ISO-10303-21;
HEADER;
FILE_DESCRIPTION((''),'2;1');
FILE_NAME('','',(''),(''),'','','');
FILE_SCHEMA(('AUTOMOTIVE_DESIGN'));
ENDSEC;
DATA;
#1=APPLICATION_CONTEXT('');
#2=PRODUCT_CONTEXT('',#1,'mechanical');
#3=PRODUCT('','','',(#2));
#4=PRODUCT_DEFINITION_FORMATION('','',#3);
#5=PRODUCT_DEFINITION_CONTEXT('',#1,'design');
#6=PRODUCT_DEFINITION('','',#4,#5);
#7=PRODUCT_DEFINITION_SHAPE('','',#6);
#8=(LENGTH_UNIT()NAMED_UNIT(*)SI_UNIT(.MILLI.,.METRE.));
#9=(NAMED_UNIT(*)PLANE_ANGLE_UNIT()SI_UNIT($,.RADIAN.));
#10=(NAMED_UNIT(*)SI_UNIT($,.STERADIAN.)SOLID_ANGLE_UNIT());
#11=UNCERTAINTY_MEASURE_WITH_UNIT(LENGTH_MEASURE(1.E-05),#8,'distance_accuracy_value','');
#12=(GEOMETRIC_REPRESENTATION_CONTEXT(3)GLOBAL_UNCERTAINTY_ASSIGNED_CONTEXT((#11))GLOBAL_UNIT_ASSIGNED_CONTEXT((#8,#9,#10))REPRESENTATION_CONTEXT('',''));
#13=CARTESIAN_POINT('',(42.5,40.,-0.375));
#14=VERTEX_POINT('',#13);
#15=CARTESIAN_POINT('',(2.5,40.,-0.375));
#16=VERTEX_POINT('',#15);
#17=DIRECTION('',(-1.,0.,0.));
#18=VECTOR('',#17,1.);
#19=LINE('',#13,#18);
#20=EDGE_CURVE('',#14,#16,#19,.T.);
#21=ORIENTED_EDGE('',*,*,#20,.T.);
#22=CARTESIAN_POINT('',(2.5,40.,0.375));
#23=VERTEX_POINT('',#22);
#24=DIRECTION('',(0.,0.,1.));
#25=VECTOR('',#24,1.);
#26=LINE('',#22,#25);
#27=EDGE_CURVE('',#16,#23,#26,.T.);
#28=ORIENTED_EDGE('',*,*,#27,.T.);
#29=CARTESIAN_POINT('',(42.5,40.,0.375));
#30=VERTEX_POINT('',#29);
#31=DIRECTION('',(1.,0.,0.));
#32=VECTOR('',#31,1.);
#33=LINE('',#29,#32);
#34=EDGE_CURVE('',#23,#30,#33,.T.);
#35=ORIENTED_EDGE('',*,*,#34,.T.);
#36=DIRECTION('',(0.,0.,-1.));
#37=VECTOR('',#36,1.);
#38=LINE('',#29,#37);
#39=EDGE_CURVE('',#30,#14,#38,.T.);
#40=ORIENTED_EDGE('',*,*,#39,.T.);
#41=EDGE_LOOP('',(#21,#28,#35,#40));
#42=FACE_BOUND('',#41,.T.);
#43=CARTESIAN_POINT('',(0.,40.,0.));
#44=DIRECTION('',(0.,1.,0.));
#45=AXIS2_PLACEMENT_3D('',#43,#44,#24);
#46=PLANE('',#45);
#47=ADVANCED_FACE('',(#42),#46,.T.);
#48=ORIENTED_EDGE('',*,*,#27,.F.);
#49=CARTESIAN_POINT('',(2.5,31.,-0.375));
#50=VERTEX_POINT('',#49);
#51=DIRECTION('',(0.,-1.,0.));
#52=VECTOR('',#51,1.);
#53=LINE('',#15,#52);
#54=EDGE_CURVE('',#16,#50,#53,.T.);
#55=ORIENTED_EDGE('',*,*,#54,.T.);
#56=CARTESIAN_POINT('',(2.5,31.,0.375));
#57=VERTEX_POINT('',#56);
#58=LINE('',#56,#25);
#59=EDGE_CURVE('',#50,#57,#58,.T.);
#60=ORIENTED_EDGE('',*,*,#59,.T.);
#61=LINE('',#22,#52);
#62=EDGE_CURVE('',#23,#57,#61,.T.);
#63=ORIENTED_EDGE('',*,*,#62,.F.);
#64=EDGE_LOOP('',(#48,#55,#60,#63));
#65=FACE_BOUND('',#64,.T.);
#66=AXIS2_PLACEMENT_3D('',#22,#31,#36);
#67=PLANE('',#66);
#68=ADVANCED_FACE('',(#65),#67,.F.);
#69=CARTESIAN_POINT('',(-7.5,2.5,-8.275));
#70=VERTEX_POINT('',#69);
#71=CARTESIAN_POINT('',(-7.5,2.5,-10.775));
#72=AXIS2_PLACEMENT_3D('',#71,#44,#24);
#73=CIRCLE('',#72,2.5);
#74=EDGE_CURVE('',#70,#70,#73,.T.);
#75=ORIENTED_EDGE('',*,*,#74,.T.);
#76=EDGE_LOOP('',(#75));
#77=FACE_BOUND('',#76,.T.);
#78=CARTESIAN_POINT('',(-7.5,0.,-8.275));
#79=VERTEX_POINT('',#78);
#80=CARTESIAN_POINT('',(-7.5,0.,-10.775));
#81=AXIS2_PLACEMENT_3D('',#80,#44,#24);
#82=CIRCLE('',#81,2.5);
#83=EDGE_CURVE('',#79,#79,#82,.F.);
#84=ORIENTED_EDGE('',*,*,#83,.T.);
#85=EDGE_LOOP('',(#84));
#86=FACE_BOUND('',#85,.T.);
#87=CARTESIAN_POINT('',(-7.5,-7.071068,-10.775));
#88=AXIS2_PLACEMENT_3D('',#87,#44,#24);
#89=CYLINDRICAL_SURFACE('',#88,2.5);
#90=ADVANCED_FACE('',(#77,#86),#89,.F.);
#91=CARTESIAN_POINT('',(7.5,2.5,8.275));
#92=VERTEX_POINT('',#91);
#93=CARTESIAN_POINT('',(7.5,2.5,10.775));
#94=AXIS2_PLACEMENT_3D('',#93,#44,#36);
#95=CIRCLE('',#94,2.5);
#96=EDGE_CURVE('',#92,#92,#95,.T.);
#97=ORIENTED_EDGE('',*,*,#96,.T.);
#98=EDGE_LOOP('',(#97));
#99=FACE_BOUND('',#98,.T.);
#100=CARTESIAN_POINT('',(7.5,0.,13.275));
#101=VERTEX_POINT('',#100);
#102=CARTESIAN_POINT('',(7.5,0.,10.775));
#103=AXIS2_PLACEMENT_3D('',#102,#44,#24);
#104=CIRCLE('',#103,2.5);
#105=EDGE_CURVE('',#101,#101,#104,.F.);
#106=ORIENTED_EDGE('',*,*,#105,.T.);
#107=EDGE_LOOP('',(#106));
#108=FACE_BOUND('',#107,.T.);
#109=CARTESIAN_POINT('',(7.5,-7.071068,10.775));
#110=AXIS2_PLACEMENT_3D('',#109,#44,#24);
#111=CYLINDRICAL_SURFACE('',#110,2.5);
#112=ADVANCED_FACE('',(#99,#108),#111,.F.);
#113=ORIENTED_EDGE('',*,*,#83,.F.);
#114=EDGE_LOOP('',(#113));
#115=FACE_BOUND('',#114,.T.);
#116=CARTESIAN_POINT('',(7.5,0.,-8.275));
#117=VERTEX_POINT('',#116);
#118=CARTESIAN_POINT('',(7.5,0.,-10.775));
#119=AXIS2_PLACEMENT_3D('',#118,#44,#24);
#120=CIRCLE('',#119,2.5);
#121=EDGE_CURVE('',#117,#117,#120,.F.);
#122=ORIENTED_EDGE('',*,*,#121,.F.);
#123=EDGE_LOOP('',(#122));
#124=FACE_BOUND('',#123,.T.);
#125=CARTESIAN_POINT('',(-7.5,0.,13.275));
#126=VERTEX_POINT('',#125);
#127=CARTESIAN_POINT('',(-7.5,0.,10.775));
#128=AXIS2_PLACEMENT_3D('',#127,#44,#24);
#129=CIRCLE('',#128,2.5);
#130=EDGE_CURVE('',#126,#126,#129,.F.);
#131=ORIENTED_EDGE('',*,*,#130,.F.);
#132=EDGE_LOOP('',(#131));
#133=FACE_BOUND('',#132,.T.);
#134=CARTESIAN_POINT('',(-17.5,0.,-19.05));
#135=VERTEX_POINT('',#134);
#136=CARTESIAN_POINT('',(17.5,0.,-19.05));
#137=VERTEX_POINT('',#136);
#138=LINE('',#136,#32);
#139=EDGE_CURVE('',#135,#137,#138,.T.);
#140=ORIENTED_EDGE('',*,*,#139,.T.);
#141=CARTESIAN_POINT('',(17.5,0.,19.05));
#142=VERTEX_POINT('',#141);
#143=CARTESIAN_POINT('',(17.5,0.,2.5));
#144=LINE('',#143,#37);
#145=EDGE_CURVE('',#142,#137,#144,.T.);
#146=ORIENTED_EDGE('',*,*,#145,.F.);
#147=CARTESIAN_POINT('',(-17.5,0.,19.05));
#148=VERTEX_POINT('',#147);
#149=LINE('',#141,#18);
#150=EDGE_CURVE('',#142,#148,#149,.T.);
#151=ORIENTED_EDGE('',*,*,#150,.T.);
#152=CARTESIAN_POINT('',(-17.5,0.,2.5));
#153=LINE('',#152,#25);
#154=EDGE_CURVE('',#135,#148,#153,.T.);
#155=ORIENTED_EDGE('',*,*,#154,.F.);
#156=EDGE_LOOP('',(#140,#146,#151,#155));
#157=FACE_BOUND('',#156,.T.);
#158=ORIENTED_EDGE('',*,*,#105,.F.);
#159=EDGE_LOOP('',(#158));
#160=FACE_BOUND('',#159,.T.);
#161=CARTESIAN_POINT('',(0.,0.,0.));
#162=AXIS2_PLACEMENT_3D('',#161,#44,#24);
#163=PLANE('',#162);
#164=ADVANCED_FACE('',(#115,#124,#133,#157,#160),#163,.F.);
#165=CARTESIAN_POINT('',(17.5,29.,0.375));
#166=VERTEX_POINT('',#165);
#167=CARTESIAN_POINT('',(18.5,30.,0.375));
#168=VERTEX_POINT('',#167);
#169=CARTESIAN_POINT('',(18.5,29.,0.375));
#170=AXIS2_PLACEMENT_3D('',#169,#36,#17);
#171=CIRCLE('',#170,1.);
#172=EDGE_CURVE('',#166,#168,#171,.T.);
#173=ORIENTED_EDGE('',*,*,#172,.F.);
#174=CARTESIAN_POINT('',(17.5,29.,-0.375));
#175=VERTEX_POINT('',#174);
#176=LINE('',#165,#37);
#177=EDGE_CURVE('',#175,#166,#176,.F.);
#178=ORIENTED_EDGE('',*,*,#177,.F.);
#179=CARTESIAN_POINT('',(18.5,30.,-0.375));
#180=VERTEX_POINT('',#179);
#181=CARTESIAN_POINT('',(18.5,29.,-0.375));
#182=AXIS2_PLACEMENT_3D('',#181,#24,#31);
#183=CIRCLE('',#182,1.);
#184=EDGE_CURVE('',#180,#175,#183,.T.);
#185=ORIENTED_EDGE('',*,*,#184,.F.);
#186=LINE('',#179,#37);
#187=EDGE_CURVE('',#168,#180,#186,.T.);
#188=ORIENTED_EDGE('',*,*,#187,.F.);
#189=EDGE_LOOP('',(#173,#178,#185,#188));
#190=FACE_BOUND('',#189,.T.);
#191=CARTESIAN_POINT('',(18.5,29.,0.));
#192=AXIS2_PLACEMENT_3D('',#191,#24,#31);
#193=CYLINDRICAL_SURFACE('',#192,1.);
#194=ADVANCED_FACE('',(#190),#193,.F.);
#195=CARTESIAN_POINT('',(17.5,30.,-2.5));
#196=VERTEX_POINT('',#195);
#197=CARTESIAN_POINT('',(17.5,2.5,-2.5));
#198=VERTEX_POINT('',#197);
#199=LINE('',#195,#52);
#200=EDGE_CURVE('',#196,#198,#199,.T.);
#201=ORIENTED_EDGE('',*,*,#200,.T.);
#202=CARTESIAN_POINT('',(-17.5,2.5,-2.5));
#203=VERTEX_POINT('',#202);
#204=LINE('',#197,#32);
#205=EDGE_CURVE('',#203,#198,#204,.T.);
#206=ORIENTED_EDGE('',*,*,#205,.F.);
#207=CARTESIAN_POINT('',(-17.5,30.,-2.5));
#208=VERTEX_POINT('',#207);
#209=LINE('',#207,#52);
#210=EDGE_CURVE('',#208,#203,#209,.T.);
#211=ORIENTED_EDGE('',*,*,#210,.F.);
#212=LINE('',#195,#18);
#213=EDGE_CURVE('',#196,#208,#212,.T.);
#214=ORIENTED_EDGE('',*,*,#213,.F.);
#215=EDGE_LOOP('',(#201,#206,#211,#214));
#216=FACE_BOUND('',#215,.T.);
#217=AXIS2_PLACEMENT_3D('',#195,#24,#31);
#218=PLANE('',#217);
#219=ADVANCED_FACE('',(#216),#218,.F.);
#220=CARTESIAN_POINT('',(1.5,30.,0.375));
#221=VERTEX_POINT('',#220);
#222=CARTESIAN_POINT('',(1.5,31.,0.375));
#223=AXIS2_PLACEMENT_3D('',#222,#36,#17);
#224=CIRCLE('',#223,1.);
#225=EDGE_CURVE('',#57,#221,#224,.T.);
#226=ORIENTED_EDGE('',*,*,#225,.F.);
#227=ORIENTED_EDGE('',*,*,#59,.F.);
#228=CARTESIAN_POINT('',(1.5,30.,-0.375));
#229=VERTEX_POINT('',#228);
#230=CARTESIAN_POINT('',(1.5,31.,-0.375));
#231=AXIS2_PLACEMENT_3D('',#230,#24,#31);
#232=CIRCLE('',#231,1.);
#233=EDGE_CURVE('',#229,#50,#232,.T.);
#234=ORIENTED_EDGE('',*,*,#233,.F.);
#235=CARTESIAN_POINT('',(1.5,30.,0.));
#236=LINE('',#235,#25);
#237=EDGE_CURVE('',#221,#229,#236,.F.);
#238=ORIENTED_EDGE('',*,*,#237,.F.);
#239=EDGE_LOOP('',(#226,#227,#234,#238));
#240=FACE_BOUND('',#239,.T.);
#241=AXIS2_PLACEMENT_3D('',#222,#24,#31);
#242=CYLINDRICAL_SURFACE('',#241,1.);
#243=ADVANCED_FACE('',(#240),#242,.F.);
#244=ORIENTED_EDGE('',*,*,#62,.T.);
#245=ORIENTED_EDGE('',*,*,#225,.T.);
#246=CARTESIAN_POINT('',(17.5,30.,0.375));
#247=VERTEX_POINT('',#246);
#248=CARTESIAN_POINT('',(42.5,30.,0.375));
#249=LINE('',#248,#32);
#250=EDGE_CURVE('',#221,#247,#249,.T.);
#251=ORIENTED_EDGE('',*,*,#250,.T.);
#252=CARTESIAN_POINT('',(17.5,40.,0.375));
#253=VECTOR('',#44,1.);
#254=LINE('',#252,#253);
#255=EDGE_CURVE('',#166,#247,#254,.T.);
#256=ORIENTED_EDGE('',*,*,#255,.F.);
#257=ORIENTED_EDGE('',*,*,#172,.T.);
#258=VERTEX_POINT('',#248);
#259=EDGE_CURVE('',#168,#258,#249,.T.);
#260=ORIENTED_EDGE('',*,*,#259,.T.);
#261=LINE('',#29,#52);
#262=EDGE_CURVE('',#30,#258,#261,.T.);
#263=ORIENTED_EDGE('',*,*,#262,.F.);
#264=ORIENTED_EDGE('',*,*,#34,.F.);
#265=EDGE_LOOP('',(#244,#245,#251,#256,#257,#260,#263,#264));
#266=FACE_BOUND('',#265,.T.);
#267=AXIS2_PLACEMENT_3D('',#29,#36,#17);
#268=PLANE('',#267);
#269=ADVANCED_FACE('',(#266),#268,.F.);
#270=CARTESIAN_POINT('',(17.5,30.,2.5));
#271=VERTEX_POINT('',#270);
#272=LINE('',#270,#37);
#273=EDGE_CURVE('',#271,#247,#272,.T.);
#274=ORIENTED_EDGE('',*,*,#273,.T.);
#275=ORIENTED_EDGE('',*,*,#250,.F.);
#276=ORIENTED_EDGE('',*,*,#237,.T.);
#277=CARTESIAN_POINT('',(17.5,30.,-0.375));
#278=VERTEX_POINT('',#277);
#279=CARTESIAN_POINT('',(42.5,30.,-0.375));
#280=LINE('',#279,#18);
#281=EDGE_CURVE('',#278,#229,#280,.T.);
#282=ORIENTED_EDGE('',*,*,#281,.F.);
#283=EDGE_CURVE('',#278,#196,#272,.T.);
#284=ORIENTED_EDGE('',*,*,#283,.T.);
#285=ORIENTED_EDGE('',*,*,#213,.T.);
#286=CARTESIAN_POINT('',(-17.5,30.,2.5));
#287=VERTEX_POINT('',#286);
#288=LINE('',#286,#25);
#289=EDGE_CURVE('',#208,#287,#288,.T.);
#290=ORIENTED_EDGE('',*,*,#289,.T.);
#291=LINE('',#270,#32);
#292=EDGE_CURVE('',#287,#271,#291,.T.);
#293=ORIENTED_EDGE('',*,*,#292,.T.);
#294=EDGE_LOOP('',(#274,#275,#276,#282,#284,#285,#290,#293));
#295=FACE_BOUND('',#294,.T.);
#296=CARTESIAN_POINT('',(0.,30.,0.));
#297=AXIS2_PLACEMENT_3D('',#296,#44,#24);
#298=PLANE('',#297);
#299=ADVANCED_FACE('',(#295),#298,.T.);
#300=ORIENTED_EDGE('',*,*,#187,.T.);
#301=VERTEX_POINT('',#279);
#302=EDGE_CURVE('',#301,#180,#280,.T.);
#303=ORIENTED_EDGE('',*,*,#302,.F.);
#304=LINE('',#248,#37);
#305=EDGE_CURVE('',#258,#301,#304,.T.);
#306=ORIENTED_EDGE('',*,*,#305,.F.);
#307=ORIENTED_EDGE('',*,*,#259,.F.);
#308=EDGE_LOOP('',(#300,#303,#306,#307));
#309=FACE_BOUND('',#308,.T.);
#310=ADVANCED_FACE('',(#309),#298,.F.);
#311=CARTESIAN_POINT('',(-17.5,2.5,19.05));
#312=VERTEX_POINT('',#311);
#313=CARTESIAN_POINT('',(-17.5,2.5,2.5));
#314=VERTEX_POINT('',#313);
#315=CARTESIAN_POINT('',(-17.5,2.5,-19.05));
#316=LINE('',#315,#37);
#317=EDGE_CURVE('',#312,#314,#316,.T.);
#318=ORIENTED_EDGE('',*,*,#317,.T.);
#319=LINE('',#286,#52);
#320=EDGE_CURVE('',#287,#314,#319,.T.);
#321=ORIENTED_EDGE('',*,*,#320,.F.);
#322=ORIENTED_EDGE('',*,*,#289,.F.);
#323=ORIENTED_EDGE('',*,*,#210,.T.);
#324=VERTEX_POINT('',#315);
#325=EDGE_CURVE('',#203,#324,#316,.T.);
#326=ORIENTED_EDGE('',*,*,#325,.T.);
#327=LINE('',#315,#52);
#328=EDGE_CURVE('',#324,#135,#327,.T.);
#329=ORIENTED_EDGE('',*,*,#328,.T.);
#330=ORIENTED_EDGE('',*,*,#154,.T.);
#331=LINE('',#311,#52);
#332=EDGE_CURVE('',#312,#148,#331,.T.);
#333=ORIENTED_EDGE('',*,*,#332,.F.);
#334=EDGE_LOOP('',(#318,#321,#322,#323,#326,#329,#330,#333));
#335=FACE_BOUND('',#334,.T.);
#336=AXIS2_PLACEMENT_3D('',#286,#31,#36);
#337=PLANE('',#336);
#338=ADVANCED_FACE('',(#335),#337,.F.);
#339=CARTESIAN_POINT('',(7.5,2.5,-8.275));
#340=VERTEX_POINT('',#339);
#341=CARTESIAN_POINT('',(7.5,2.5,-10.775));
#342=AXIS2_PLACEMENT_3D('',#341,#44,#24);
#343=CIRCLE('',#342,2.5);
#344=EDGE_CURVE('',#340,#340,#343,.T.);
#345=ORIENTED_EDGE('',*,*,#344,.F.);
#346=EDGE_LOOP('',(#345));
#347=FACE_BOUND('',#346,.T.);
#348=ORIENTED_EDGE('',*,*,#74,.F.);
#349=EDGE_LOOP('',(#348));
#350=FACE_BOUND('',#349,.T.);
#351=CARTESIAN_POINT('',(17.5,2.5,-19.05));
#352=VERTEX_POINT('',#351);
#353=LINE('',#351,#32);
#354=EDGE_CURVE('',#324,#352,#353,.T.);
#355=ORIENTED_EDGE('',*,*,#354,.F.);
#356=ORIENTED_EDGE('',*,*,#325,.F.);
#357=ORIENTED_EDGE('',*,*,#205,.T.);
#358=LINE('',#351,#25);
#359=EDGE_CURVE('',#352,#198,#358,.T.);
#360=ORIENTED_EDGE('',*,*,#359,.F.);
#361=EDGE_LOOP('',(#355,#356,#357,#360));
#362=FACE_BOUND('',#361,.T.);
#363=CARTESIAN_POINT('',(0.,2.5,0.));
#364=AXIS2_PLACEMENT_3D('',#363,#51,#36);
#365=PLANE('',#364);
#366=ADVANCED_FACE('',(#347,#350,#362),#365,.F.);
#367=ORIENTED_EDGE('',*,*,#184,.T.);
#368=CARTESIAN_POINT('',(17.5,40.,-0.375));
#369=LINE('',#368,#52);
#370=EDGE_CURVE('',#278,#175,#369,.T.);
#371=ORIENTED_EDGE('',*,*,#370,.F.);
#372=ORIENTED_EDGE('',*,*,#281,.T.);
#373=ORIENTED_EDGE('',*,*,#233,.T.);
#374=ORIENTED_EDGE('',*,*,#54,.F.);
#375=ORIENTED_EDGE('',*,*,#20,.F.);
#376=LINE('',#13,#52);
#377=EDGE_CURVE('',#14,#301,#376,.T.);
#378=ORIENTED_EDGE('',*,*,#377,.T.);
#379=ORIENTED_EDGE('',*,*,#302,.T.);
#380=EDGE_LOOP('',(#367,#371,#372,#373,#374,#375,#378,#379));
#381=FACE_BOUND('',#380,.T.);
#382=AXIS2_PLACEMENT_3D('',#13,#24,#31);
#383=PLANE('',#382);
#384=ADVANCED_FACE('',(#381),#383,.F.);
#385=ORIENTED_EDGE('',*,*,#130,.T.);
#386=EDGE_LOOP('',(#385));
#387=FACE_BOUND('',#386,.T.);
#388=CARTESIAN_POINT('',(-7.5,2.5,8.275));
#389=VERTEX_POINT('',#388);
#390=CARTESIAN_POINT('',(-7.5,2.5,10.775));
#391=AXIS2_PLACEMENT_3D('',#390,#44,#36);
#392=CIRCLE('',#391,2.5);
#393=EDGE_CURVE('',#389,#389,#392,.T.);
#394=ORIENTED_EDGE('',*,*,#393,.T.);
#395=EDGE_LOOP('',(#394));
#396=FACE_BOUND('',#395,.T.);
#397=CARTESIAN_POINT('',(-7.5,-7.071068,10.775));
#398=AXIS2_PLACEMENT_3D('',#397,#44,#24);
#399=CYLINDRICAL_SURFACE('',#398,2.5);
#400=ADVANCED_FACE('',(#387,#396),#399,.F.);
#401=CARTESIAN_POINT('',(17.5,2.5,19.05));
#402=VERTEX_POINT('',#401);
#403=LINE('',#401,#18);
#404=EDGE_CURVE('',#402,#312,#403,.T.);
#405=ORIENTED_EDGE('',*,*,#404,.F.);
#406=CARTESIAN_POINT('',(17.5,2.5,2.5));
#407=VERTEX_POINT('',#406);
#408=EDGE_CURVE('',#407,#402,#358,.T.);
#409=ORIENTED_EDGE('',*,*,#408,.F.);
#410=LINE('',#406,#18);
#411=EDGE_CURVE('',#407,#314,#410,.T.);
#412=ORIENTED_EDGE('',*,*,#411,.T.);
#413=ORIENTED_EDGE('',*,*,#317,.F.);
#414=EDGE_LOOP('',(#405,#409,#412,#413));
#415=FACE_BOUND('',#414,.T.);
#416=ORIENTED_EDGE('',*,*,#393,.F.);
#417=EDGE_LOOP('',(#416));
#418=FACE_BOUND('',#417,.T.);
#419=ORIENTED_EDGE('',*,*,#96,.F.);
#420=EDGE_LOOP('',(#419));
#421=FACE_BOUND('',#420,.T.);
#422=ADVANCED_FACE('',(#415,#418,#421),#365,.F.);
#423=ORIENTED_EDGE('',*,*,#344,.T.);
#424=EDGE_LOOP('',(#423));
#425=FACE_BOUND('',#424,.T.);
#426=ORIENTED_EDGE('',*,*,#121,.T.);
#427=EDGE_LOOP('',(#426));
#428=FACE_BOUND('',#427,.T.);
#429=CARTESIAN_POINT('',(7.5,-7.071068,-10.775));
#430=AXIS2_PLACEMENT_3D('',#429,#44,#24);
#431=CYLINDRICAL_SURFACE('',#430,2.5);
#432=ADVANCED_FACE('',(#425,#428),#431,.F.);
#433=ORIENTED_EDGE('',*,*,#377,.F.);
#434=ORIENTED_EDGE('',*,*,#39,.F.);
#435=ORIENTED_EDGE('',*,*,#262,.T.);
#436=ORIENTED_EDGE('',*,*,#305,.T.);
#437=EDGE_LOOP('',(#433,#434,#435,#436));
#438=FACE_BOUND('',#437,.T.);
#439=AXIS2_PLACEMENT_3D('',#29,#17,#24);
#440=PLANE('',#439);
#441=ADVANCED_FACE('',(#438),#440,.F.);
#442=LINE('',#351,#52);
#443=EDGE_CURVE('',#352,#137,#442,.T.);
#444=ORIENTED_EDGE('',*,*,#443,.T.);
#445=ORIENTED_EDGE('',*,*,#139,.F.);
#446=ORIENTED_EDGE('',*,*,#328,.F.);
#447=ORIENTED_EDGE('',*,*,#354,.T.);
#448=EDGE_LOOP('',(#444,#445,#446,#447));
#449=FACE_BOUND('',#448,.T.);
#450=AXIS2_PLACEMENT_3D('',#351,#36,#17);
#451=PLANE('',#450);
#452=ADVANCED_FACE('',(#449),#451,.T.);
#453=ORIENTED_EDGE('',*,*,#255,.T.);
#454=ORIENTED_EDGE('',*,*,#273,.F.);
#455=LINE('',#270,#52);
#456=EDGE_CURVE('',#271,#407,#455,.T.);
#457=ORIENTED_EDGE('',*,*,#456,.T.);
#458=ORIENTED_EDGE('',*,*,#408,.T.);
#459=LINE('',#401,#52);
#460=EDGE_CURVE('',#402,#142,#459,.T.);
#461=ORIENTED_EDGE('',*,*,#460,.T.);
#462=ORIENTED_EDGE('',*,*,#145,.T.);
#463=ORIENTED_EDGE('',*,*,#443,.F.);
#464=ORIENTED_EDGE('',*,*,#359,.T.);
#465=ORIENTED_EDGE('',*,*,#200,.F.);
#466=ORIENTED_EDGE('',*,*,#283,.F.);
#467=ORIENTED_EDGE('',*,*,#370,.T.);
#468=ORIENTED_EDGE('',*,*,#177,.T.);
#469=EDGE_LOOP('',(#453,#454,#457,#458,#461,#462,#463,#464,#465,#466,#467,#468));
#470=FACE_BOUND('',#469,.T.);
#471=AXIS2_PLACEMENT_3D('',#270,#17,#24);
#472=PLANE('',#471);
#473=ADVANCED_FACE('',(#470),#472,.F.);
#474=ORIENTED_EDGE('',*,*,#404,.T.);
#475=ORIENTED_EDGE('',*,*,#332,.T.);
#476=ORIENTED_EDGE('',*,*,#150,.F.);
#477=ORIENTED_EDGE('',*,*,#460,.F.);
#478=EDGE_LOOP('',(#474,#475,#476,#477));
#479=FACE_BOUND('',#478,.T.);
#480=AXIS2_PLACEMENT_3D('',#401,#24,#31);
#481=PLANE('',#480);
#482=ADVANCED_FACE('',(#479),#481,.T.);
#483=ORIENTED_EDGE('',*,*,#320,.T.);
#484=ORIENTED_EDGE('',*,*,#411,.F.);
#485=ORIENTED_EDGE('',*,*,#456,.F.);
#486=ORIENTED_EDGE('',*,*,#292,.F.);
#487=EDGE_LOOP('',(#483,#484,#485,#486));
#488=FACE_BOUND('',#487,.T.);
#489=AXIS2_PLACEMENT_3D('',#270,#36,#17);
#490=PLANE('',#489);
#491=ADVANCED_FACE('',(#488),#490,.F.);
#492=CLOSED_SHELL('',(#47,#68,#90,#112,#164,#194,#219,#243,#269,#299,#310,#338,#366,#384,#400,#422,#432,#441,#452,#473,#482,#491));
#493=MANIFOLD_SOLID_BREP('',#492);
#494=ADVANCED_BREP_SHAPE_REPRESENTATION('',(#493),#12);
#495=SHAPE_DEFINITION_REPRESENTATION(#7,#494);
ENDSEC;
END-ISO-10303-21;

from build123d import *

# Parameters (mm, degrees)
ESQUISSE1_W             = 35
ESQUISSE1_H             = 5
BOSS_EXTRU_1_DEPTH      = 30
ESQUISSE2_W             = 40
ESQUISSE2_H             = 0.75
BOSS_EXTRU_2_DEPTH      = 10
CONG_1_R                = 1
ESQUISSE3_W             = 35
ESQUISSE3_H             = 38.1
BOSS_EXTRU_3_DEPTH      = 2.5
ESQUISSE4_R             = 2.5
ENL_V_MAT_EXTRU_1_DEPTH = 2.5


with BuildPart() as part:
    # Esquisse1 → Boss.-Extru.1 (new body)
    with BuildSketch(Plane(origin=(0, 0, 0), x_dir=(1, 0, 0), z_dir=(0, 1, 0))):
        Rectangle(ESQUISSE1_W, ESQUISSE1_H)
    extrude(amount=BOSS_EXTRU_1_DEPTH)

    # Esquisse2 → Boss.-Extru.2 (add)
    with BuildSketch(Plane(origin=(0, 30, 0), x_dir=(1, 0, 0), z_dir=(0, 1, 0))):
        with Locations((22.5, 0)):
            Rectangle(ESQUISSE2_W, ESQUISSE2_H)
    extrude(amount=BOSS_EXTRU_2_DEPTH)

    # Congé1
    cong_1_edges = [part.edges().sort_by_distance(p)[0] for p in [
        (17.5, 30, 0),
        (2.5, 30, 0),
    ]]
    fillet(cong_1_edges, radius=CONG_1_R)

    # Esquisse3 → Boss.-Extru.3 (add)
    with BuildSketch(Plane.XZ):
        Rectangle(ESQUISSE3_W, ESQUISSE3_H)
    extrude(amount=-BOSS_EXTRU_3_DEPTH)

    # Esquisse4 → Enlèv. mat.-Extru.1 (cut)
    with BuildSketch(Plane(origin=(0, 2.5, 0), x_dir=(1, 0, 0), z_dir=(0, 1, 0))):
        with Locations((-7.5, 10.775)):
            Circle(ESQUISSE4_R)
        with Locations((7.5, 10.775)):
            Circle(ESQUISSE4_R)
        with Locations((7.5, -10.775)):
            Circle(ESQUISSE4_R)
        with Locations((-7.5, -10.775)):
            Circle(ESQUISSE4_R)
    extrude(amount=-ENL_V_MAT_EXTRU_1_DEPTH, mode=Mode.SUBTRACT)


solid = part.part
